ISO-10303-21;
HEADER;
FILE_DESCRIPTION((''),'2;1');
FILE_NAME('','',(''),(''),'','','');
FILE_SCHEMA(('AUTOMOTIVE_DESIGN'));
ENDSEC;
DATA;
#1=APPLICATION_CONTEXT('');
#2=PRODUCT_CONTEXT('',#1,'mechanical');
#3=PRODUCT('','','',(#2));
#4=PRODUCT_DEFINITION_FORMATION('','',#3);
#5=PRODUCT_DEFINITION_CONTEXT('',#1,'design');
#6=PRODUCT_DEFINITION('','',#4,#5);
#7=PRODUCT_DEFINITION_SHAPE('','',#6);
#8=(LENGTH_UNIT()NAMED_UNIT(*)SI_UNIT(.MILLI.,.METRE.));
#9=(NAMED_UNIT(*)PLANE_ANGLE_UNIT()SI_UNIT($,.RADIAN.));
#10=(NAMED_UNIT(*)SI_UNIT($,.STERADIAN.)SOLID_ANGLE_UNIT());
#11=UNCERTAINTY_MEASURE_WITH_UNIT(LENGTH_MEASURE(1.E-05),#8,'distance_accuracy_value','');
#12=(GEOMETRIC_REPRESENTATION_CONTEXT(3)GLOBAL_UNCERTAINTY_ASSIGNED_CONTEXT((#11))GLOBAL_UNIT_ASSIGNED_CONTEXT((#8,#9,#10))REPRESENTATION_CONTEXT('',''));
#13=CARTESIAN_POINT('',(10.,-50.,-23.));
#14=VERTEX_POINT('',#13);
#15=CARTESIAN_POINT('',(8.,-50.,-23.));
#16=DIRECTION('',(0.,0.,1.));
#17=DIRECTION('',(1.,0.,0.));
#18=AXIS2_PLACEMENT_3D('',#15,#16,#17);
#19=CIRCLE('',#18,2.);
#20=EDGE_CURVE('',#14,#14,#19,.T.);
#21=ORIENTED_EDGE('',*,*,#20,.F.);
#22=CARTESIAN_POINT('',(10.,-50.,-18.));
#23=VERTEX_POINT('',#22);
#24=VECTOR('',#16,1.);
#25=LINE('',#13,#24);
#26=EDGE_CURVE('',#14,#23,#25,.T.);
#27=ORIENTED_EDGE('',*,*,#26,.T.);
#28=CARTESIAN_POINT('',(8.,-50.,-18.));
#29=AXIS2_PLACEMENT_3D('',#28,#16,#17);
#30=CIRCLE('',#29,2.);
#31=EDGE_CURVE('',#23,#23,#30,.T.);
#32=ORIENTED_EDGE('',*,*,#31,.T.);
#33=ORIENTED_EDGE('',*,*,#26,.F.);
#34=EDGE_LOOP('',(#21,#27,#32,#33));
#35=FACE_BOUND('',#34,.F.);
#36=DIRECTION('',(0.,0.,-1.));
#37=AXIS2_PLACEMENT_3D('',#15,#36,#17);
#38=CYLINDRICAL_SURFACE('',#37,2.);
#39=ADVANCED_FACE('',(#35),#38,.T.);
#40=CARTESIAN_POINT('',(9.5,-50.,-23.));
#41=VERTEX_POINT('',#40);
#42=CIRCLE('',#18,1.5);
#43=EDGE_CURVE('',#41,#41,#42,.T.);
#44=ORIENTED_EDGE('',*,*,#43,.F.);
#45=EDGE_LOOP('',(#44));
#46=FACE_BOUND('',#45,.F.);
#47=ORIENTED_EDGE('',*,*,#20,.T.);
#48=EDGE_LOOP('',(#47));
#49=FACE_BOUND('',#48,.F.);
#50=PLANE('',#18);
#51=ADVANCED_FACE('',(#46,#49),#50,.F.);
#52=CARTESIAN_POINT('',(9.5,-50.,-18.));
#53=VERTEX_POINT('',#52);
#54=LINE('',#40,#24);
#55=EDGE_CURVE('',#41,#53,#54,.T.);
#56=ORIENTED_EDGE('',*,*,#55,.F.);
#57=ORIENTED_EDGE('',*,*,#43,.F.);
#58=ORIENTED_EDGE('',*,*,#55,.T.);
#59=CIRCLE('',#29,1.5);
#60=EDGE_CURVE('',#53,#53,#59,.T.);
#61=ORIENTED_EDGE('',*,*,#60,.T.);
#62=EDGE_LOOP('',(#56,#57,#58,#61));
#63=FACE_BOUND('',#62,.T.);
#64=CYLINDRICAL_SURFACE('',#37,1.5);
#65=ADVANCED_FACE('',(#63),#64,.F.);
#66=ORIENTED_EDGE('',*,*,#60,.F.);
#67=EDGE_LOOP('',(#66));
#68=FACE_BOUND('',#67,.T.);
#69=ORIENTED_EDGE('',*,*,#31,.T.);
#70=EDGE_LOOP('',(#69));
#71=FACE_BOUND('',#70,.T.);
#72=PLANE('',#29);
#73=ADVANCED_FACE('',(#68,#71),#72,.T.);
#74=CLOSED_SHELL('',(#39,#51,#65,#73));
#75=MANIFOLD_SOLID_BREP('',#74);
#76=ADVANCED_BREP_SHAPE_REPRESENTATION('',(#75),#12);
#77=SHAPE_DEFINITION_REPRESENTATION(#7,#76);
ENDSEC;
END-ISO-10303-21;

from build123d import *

# Parameters (mm, degrees)
CYLINDER003_R     = 1.5
CYLINDER003_DEPTH = 5
CYLINDER002_R     = 2
CYLINDER002_DEPTH = 5


with BuildPart() as cylinderouter001:
    # Cylinder003 → Cylinder003 (new body)
    with BuildSketch(Plane(origin=(8, -26, -23), x_dir=(1, 0, 0), z_dir=(0, 0, 1))):
        Circle(CYLINDER003_R)
    extrude(amount=CYLINDER003_DEPTH)


with BuildPart() as espsup002:
    # Cylinder002 → Cylinder002 (new body)
    with BuildSketch(Plane(origin=(8, -26, -23), x_dir=(1, 0, 0), z_dir=(0, 0, 1))):
        Circle(CYLINDER002_R)
    extrude(amount=CYLINDER002_DEPTH)

    # Cut002: cut CylinderOuter001
    add(cylinderouter001.part, mode=Mode.SUBTRACT)


with BuildPart() as espsup002_1:
    # Cut002 placement: moved
    add(espsup002.part.moved(Location((0, -24, 0))))


solid = espsup002_1.part
